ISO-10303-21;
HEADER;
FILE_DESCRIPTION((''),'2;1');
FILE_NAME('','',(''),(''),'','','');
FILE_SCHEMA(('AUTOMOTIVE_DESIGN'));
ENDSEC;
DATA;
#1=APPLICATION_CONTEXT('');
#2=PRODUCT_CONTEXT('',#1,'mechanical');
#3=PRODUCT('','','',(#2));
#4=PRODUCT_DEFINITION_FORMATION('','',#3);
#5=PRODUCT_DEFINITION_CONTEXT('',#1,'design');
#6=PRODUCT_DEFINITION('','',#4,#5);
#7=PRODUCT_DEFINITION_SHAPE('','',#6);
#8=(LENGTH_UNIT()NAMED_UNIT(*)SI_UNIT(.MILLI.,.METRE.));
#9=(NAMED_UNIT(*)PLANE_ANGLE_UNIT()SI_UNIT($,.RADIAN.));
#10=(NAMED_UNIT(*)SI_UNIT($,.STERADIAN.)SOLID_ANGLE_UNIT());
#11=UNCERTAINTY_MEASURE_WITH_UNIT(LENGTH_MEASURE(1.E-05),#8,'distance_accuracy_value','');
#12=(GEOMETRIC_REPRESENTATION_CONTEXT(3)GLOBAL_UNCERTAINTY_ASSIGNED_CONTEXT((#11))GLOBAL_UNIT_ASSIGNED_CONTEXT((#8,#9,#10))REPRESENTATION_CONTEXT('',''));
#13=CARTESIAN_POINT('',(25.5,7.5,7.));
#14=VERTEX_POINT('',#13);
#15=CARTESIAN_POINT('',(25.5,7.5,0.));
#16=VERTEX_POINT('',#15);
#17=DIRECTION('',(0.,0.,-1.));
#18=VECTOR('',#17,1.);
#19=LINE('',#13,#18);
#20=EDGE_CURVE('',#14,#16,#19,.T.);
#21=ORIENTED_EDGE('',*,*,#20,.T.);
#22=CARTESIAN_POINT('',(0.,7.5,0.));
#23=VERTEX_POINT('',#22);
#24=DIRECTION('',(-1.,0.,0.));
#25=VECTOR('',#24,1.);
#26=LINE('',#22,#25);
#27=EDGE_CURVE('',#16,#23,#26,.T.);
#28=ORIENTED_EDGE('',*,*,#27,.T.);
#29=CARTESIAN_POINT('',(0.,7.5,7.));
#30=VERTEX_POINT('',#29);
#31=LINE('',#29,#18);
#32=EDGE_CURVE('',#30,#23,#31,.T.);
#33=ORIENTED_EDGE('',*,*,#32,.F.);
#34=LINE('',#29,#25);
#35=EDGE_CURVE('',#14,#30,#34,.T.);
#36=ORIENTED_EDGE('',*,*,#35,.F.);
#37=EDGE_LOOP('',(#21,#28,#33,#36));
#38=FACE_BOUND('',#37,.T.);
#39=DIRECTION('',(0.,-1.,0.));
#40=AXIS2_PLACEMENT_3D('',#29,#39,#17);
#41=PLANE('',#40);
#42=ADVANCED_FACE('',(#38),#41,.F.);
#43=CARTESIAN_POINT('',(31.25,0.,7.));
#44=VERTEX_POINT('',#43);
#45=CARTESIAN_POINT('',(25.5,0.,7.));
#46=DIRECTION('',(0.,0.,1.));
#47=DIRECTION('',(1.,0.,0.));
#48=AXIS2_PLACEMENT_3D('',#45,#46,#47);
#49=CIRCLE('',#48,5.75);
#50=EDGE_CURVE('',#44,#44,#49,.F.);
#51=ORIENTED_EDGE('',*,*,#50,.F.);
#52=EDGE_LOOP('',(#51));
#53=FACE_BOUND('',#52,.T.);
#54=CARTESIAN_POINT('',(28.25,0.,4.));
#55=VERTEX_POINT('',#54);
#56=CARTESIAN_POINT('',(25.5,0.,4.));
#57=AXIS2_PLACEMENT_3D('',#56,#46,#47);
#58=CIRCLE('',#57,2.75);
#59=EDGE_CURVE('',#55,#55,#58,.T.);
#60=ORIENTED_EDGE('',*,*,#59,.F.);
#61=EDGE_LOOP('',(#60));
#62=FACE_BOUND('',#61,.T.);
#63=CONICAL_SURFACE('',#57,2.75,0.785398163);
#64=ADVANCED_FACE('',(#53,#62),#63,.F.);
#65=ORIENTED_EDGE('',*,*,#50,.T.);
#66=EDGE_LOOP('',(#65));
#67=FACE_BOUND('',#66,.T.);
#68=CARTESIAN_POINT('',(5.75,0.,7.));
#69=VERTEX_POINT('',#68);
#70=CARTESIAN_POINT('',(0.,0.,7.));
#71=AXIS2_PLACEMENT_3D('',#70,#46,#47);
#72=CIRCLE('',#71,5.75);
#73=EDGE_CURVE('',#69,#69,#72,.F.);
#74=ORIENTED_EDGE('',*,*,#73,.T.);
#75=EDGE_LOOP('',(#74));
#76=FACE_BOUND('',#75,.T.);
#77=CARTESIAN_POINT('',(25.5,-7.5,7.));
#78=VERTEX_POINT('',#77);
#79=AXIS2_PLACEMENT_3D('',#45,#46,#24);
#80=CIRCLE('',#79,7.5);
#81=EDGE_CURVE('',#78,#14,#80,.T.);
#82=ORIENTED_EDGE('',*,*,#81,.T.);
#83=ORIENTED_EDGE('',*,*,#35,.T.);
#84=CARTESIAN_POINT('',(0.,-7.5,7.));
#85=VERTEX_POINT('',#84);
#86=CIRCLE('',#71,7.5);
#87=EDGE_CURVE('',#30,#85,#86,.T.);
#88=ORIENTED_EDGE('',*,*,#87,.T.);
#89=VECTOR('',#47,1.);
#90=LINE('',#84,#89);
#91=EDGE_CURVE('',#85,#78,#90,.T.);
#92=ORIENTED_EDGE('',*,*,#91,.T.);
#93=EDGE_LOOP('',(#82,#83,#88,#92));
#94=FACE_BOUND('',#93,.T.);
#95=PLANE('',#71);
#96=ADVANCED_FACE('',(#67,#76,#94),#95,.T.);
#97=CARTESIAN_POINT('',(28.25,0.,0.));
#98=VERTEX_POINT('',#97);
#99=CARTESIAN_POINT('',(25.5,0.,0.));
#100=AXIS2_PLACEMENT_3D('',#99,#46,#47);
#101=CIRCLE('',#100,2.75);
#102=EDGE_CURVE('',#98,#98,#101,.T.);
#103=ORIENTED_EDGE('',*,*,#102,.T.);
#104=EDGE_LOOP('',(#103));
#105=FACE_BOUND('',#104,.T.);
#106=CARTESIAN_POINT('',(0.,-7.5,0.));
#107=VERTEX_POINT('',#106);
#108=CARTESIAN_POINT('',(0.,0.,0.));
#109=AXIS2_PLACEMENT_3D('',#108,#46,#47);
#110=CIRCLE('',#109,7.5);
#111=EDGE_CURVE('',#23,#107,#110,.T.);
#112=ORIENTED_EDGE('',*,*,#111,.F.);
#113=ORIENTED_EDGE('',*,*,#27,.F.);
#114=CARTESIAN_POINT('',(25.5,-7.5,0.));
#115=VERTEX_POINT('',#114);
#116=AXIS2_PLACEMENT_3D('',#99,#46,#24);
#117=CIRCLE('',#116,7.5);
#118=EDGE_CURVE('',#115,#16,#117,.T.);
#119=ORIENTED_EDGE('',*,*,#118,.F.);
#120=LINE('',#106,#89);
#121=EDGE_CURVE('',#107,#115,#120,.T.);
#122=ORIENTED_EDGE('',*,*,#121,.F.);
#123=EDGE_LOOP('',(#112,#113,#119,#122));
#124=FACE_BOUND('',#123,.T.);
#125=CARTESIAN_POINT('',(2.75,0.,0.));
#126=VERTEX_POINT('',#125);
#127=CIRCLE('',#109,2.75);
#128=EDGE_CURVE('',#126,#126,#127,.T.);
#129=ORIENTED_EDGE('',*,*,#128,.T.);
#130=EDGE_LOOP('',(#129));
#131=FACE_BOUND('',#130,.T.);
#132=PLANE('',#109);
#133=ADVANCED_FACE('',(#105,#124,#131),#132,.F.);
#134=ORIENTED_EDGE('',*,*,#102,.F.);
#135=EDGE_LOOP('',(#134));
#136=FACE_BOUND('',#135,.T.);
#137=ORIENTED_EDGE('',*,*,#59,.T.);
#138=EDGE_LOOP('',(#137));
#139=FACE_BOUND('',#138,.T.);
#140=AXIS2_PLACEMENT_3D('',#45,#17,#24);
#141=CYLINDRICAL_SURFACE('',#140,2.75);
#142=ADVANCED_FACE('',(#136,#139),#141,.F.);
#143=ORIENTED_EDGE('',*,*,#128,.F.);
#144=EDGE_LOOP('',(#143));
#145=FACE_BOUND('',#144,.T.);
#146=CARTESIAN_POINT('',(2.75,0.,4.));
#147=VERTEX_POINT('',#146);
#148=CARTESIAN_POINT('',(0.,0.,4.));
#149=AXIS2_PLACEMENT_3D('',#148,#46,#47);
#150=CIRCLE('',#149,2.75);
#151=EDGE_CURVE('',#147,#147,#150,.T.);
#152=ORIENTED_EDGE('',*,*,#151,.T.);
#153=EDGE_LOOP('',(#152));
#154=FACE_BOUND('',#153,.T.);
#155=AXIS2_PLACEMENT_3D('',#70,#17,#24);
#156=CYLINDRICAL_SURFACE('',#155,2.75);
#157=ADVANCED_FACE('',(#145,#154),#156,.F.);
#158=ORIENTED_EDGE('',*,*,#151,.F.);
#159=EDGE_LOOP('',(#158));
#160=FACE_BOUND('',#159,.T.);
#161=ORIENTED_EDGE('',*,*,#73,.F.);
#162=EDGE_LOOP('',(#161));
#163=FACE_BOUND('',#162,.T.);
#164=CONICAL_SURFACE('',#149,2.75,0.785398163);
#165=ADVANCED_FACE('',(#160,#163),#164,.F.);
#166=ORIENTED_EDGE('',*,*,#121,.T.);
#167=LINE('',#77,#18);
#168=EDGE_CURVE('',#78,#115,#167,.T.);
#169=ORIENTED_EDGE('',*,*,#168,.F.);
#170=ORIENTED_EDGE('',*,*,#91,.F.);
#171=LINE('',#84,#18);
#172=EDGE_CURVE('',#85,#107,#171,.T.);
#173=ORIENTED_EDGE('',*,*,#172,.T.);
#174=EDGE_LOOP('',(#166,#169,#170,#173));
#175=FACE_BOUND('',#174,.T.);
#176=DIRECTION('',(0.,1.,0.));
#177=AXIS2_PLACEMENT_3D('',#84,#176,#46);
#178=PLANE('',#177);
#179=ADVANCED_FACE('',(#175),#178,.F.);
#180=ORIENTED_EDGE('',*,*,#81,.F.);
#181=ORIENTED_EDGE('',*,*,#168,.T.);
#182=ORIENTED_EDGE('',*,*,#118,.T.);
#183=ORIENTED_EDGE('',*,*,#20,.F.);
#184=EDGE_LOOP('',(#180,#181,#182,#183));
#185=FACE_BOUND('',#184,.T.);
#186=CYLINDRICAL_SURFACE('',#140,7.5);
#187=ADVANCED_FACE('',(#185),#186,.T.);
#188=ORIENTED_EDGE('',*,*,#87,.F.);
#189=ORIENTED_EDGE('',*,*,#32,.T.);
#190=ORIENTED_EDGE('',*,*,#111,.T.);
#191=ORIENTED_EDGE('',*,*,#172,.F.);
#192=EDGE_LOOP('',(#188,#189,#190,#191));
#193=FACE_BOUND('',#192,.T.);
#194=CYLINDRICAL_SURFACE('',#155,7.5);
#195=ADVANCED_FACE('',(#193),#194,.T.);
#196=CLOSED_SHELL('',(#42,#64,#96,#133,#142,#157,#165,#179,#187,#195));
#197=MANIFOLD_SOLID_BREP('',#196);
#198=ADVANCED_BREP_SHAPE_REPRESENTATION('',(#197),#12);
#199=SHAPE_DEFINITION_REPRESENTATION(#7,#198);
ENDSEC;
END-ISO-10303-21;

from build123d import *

# Parameters (mm, degrees)
ESQUISSE1_R        = 2.75
BOSS_EXTRU_1_DEPTH = 7
CHANFREIN1_SIZE    = 3


with BuildPart() as part:
    # Esquisse1 → Boss.-Extru.1 (new body)
    with BuildSketch(Plane.XY):
        with BuildLine():
            Line((0, -7.5), (25.5, -7.5))
            ThreePointArc((25.5, -7.5), (33, 0), (25.5, 7.5))
            Line((25.5, 7.5), (0, 7.5))
            ThreePointArc((0, 7.5), (-7.5, 0), (0, -7.5))
        make_face()
        Circle(ESQUISSE1_R, mode=Mode.SUBTRACT)
        with Locations((25.5, 0)):
            Circle(ESQUISSE1_R, mode=Mode.SUBTRACT)
    extrude(amount=BOSS_EXTRU_1_DEPTH)

    # Chanfrein1
    chanfrein1_edges = [part.edges().sort_by_distance(p)[0] for p in [
        (-2.75, 0, 7),
        (22.75, 0, 7),
    ]]
    chamfer(chanfrein1_edges, length=CHANFREIN1_SIZE)


solid = part.part
